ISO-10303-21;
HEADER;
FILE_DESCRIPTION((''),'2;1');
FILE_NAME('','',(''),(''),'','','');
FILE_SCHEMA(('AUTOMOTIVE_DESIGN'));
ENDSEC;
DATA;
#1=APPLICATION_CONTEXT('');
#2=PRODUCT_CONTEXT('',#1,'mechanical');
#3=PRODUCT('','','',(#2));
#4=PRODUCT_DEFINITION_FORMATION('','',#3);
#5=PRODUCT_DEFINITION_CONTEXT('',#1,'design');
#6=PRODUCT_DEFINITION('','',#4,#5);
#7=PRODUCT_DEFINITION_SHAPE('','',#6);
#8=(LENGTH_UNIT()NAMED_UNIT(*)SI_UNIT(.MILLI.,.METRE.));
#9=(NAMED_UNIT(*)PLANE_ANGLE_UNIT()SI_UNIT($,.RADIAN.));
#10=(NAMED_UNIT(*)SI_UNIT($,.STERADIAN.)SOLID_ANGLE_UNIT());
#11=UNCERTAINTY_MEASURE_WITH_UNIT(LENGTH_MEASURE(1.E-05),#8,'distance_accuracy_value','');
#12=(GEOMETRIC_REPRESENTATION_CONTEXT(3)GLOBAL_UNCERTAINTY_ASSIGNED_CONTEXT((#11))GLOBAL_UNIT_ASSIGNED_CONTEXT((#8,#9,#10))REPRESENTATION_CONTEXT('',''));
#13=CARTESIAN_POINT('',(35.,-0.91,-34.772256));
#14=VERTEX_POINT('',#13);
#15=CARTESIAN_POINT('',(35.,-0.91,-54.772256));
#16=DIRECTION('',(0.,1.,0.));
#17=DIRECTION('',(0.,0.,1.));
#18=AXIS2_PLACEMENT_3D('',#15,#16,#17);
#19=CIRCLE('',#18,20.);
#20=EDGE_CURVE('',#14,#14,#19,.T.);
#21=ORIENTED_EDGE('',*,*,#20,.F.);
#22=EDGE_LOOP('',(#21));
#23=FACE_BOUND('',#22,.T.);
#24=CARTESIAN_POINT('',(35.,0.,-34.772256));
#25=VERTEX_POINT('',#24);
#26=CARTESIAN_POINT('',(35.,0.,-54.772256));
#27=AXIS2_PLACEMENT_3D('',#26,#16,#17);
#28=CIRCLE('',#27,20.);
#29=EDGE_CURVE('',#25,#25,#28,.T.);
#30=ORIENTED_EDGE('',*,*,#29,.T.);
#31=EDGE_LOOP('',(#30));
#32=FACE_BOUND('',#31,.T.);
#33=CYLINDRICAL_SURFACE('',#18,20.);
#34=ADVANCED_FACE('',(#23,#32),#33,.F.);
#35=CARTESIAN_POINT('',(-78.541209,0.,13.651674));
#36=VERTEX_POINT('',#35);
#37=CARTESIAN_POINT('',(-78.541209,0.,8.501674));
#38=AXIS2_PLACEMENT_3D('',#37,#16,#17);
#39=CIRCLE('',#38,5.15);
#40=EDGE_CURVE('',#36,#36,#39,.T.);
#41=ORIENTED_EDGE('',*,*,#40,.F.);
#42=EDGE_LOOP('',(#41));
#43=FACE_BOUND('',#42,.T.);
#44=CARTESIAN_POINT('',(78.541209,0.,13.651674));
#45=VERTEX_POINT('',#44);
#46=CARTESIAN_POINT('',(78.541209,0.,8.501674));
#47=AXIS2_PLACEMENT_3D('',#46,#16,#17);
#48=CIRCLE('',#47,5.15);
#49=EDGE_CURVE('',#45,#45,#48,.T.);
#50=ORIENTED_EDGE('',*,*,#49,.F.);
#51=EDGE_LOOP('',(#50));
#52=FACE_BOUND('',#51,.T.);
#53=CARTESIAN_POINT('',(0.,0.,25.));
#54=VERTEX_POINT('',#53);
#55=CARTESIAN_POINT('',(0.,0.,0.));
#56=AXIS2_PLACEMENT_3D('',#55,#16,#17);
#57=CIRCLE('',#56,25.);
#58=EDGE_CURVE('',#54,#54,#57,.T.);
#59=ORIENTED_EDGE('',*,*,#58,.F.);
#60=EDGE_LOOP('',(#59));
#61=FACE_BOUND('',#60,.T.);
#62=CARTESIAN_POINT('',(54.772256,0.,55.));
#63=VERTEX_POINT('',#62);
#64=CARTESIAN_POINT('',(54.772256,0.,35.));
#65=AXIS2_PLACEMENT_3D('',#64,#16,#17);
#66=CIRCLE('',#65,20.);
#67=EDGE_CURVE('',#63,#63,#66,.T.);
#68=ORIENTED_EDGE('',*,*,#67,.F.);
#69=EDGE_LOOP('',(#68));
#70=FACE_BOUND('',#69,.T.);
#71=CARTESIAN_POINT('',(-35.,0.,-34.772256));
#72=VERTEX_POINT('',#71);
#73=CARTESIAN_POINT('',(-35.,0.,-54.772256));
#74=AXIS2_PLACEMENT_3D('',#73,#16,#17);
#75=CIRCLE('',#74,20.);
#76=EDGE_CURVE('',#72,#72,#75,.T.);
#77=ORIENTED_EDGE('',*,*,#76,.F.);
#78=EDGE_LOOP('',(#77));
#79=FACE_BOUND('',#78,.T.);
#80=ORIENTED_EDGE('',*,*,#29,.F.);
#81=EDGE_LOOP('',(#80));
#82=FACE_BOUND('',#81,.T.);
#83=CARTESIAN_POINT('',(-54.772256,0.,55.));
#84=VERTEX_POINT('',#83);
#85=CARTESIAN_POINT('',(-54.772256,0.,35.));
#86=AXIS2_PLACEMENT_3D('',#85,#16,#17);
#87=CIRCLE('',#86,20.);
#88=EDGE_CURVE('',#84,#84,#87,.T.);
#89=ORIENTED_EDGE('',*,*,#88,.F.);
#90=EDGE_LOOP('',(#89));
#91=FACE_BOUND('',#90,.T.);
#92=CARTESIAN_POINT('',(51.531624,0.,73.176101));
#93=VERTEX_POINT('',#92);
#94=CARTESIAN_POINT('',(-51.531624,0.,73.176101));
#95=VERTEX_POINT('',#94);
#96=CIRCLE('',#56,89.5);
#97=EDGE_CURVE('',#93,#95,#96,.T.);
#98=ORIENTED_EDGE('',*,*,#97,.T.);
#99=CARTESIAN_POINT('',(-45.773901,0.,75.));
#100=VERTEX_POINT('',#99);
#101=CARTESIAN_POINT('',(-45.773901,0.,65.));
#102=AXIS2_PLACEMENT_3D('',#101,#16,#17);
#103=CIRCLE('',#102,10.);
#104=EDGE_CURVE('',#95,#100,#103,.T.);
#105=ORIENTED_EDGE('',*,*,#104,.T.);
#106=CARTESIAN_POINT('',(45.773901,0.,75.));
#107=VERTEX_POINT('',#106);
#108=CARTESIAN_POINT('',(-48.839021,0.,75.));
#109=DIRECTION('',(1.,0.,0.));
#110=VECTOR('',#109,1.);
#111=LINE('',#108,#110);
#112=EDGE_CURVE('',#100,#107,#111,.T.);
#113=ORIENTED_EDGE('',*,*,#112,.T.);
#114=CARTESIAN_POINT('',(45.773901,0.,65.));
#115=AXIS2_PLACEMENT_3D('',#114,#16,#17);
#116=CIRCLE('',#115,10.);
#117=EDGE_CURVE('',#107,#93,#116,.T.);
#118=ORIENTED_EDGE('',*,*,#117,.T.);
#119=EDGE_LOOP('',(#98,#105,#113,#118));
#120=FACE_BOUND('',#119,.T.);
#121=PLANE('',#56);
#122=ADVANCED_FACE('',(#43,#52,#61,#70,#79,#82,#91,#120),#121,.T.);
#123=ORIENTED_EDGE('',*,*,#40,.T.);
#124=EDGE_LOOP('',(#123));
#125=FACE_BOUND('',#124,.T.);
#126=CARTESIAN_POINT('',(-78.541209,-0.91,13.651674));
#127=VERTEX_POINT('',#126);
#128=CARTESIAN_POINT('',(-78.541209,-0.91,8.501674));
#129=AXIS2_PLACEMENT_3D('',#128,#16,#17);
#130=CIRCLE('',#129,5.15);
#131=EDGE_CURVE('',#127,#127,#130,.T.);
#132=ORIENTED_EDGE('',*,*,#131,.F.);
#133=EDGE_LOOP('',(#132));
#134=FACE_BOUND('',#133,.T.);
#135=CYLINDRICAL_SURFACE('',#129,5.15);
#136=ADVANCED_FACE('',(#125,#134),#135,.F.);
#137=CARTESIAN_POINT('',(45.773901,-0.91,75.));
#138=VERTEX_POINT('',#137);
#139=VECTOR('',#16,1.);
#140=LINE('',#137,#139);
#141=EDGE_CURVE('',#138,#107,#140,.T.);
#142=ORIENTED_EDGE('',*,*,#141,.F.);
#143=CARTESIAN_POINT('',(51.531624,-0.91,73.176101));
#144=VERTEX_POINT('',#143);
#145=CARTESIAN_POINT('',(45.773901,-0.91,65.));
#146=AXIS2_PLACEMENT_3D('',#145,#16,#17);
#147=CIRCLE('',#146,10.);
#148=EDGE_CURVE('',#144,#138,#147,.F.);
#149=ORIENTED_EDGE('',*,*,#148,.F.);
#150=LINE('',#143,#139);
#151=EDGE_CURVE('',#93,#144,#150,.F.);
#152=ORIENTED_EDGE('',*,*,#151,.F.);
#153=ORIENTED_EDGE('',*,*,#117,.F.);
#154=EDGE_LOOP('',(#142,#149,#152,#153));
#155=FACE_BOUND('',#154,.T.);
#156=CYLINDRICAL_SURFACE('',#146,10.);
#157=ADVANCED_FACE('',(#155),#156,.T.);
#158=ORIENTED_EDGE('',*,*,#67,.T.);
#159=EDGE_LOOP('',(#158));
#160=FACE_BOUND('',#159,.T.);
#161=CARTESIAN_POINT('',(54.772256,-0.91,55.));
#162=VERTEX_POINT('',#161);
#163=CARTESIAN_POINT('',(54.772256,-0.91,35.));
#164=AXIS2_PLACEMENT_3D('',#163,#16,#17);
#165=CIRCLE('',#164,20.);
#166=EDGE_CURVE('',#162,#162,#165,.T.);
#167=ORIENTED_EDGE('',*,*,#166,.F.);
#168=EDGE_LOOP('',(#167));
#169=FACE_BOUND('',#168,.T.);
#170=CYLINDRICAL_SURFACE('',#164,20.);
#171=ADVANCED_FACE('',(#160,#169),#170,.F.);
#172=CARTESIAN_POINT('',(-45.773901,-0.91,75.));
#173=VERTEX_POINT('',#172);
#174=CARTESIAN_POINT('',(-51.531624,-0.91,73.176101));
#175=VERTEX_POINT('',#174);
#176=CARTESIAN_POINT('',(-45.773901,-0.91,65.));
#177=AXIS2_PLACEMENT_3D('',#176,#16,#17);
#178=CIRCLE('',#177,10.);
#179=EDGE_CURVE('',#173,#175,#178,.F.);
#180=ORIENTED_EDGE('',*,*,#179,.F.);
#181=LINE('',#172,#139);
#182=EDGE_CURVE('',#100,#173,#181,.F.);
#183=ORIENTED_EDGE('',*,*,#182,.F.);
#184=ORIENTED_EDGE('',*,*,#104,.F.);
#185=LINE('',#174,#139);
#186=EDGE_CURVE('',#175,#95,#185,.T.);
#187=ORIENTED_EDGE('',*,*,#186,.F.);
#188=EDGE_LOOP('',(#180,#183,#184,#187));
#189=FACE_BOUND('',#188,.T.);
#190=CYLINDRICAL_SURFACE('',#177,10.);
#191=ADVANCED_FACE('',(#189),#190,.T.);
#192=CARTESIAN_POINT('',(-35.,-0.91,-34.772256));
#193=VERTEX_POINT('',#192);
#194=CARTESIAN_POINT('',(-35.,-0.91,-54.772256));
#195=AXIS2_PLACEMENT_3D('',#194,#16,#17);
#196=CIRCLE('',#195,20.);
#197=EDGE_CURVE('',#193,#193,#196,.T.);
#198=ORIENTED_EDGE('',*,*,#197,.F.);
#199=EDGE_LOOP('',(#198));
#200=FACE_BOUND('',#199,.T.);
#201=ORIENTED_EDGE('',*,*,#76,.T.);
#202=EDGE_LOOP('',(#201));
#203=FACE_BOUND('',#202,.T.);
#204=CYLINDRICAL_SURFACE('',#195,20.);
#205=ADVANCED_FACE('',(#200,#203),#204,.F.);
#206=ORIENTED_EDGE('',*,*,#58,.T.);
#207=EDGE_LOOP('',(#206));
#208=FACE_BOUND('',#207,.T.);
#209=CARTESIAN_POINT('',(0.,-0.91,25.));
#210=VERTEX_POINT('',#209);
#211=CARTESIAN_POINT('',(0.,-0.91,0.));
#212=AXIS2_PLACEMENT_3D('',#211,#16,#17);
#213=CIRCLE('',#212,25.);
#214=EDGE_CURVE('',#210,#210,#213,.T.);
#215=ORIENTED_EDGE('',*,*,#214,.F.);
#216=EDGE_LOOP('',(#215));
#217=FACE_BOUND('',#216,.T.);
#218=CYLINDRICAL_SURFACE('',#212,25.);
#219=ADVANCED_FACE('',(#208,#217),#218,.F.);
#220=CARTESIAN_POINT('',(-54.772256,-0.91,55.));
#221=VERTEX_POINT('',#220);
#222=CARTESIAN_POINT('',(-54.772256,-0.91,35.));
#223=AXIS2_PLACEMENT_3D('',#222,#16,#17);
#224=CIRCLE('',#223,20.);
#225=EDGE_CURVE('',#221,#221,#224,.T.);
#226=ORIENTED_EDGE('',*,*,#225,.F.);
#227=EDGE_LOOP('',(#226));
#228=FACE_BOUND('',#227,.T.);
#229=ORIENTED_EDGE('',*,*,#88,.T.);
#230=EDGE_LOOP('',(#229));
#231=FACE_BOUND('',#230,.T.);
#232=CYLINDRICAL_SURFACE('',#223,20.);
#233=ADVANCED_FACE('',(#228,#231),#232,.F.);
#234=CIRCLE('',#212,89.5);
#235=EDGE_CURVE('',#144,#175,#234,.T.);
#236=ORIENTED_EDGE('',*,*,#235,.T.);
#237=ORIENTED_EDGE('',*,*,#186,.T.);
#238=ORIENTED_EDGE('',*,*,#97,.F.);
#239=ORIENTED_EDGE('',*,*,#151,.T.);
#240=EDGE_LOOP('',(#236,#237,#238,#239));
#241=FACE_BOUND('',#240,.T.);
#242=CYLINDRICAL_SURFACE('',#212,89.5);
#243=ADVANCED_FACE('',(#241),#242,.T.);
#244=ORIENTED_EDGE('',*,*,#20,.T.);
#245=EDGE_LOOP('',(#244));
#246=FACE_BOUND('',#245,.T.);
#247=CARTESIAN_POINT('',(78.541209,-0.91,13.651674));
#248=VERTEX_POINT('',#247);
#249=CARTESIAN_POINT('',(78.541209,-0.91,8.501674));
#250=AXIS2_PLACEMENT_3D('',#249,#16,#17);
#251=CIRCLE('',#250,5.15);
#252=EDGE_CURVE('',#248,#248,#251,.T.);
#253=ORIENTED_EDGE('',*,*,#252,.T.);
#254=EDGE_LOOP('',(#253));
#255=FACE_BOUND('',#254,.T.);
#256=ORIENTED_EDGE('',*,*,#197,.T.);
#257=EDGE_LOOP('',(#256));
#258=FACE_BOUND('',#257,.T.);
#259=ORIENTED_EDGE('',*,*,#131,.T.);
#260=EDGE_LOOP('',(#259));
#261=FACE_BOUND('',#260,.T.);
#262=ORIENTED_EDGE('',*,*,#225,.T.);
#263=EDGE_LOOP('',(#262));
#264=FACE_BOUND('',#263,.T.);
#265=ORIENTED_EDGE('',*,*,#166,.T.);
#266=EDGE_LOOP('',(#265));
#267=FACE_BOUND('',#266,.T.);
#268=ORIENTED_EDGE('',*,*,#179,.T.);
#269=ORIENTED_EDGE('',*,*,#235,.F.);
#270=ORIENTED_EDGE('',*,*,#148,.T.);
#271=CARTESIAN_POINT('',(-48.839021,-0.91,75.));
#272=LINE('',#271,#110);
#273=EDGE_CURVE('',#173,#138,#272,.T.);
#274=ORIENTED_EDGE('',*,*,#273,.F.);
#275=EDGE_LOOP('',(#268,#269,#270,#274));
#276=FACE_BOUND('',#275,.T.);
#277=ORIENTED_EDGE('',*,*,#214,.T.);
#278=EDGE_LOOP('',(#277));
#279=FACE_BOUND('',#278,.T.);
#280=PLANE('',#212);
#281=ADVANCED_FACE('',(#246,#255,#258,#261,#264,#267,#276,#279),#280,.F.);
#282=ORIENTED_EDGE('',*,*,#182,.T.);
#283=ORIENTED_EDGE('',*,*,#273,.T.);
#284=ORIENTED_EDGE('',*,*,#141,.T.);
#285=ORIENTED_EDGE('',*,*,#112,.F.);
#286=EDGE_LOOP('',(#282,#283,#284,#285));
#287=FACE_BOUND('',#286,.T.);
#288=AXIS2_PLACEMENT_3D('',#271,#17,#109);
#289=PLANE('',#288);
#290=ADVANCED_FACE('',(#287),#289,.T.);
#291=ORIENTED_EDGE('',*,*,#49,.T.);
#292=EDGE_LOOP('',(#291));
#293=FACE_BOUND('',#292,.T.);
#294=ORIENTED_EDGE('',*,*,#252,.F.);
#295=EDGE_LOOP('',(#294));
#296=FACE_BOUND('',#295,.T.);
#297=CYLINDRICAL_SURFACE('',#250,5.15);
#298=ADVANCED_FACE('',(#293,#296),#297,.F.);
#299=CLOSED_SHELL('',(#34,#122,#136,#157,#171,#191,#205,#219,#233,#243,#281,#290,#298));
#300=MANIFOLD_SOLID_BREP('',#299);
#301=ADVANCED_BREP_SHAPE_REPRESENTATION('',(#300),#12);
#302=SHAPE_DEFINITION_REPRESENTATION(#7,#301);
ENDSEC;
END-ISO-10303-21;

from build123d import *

# Parameters (mm, degrees)
BOSS_EXTRUDE1_DEPTH = 0.91
SKETCH9_R           = 5.15
CUT_EXTRUDE3_DEPTH  = 127.575385048
VISION_PATTERN_R    = 25
VISION_PATTERN_R_2  = 20
CUT_EXTRUDE4_DEPTH  = 127.575385048
FILLET1_R           = 10


with BuildPart() as part:
    # Sketch1 → Boss-Extrude1 (new body)
    with BuildSketch(Plane(origin=(0, 0, 0), x_dir=(1, 0, 0), z_dir=(0, 1, 0))):
        with BuildLine():
            Line((-48.839021284, -75), (48.839021284, -75))
            ThreePointArc((48.839021284, -75), (0, 89.5), (-48.839021284, -75))
        make_face()
    extrude(amount=-BOSS_EXTRUDE1_DEPTH)

    # Sketch9 → Cut-Extrude3 (cut, through all)
    with BuildSketch(Plane(origin=(0, 0, 0), x_dir=(1, 0, 0), z_dir=(0, 1, 0))):
        with Locations(Location((78.541209232, -8.501673503, 0), (0, 0, 270))):
            Circle(SKETCH9_R)
        with Locations(Location((-78.541209232, -8.501673503, 0), (0, 0, 270))):
            Circle(SKETCH9_R)
    extrude(amount=-CUT_EXTRUDE3_DEPTH, mode=Mode.SUBTRACT)

    # Vision Pattern → Cut-Extrude4 (cut, through all)
    with BuildSketch(Plane(origin=(0, 0, 0), x_dir=(1, 0, 0), z_dir=(0, 1, 0))):
        with Locations(Location((0, 0, 0), (0, 0, 270))):
            Circle(VISION_PATTERN_R)
        with Locations(Location((54.772255751, -35, 0), (0, 0, 270))):
            Circle(VISION_PATTERN_R_2)
        with Locations(Location((-54.772255751, -35, 0), (0, 0, 270))):
            Circle(VISION_PATTERN_R_2)
        with Locations(Location((35, 54.772255751, 0), (0, 0, 270))):
            Circle(VISION_PATTERN_R_2)
        with Locations(Location((-35, 54.772255751, 0), (0, 0, 270))):
            Circle(VISION_PATTERN_R_2)
    extrude(amount=-CUT_EXTRUDE4_DEPTH, mode=Mode.SUBTRACT)

    # Fillet1
    fillet1_edges = [part.edges().sort_by_distance(p)[0] for p in [
        (48.839021284, -0.455, 75),
        (-48.839021284, -0.455, 75),
    ]]
    fillet(fillet1_edges, radius=FILLET1_R)


solid = part.part
